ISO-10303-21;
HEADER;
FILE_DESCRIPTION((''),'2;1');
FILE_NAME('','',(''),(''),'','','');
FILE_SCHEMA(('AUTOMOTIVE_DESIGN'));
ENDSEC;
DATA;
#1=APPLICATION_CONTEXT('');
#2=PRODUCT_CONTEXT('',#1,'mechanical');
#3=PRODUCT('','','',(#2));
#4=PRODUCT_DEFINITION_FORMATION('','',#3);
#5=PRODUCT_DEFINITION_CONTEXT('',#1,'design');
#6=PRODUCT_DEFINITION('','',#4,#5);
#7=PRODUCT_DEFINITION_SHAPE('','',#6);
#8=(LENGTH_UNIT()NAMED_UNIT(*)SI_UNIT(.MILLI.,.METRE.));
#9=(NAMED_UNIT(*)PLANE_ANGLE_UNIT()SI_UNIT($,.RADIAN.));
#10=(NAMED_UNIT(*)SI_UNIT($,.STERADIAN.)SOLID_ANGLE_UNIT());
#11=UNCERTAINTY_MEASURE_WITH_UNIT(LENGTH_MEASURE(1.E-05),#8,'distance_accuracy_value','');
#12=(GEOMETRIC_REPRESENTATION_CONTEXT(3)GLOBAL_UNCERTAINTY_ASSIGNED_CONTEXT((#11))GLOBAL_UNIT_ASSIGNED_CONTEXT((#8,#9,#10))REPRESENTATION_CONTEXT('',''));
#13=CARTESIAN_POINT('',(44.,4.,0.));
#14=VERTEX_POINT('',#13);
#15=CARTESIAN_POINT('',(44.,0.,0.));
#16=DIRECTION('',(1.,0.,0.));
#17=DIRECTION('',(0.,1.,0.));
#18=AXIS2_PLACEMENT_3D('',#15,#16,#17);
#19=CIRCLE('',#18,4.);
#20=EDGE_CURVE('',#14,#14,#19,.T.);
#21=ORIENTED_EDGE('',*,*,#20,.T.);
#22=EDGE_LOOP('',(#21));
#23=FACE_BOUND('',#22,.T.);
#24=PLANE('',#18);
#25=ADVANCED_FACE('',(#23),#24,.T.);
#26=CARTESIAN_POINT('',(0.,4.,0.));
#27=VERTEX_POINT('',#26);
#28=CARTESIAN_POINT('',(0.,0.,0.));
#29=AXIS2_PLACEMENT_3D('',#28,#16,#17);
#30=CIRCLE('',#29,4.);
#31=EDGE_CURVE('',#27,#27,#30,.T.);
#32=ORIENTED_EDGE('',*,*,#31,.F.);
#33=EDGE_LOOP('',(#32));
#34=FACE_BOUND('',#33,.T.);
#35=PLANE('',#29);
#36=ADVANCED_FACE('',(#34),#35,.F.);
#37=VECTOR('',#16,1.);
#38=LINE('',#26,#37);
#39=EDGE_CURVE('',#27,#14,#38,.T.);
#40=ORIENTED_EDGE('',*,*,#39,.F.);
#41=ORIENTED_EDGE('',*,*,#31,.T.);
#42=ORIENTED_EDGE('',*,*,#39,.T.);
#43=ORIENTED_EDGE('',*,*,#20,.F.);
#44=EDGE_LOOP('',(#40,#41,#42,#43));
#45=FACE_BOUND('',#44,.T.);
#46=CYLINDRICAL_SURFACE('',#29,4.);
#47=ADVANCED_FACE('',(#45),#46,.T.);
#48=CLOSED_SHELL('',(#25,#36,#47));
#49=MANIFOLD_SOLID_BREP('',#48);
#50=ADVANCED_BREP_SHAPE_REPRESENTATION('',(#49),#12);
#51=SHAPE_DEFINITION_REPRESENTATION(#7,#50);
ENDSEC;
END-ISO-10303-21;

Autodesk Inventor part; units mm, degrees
ref_plane "Start Plane" through (0, 0, 0) normal (1, 0, 0) x (0, 1, 0)
ref_plane "XZ Plane" through (0, 0, 0) normal (0, 1, 0) x (-1, 0, 0)
ref_plane "XY Plane" through (0, 0, 0) normal (0, 0, 1) x (1, 0, 0)
sketch "Main Sketch" plane through (0, 0, 0) normal (0, 0, 1) x (1, 0, 0)
  line L0 (0, 0) -> (44, 0)
  line L1 (0, 0) -> (0, 4)
  line L2 (44, 4) -> (44, 0)
  line L3 (0, 4) -> (44, 4)
  dimension "d3" = 8
revolve "Revolution1" add sketch "Main Sketch" angle 360 about axis through (0, 0, 0) along (1, 0, 0)
properties part number "Shaft" material "Steel"
